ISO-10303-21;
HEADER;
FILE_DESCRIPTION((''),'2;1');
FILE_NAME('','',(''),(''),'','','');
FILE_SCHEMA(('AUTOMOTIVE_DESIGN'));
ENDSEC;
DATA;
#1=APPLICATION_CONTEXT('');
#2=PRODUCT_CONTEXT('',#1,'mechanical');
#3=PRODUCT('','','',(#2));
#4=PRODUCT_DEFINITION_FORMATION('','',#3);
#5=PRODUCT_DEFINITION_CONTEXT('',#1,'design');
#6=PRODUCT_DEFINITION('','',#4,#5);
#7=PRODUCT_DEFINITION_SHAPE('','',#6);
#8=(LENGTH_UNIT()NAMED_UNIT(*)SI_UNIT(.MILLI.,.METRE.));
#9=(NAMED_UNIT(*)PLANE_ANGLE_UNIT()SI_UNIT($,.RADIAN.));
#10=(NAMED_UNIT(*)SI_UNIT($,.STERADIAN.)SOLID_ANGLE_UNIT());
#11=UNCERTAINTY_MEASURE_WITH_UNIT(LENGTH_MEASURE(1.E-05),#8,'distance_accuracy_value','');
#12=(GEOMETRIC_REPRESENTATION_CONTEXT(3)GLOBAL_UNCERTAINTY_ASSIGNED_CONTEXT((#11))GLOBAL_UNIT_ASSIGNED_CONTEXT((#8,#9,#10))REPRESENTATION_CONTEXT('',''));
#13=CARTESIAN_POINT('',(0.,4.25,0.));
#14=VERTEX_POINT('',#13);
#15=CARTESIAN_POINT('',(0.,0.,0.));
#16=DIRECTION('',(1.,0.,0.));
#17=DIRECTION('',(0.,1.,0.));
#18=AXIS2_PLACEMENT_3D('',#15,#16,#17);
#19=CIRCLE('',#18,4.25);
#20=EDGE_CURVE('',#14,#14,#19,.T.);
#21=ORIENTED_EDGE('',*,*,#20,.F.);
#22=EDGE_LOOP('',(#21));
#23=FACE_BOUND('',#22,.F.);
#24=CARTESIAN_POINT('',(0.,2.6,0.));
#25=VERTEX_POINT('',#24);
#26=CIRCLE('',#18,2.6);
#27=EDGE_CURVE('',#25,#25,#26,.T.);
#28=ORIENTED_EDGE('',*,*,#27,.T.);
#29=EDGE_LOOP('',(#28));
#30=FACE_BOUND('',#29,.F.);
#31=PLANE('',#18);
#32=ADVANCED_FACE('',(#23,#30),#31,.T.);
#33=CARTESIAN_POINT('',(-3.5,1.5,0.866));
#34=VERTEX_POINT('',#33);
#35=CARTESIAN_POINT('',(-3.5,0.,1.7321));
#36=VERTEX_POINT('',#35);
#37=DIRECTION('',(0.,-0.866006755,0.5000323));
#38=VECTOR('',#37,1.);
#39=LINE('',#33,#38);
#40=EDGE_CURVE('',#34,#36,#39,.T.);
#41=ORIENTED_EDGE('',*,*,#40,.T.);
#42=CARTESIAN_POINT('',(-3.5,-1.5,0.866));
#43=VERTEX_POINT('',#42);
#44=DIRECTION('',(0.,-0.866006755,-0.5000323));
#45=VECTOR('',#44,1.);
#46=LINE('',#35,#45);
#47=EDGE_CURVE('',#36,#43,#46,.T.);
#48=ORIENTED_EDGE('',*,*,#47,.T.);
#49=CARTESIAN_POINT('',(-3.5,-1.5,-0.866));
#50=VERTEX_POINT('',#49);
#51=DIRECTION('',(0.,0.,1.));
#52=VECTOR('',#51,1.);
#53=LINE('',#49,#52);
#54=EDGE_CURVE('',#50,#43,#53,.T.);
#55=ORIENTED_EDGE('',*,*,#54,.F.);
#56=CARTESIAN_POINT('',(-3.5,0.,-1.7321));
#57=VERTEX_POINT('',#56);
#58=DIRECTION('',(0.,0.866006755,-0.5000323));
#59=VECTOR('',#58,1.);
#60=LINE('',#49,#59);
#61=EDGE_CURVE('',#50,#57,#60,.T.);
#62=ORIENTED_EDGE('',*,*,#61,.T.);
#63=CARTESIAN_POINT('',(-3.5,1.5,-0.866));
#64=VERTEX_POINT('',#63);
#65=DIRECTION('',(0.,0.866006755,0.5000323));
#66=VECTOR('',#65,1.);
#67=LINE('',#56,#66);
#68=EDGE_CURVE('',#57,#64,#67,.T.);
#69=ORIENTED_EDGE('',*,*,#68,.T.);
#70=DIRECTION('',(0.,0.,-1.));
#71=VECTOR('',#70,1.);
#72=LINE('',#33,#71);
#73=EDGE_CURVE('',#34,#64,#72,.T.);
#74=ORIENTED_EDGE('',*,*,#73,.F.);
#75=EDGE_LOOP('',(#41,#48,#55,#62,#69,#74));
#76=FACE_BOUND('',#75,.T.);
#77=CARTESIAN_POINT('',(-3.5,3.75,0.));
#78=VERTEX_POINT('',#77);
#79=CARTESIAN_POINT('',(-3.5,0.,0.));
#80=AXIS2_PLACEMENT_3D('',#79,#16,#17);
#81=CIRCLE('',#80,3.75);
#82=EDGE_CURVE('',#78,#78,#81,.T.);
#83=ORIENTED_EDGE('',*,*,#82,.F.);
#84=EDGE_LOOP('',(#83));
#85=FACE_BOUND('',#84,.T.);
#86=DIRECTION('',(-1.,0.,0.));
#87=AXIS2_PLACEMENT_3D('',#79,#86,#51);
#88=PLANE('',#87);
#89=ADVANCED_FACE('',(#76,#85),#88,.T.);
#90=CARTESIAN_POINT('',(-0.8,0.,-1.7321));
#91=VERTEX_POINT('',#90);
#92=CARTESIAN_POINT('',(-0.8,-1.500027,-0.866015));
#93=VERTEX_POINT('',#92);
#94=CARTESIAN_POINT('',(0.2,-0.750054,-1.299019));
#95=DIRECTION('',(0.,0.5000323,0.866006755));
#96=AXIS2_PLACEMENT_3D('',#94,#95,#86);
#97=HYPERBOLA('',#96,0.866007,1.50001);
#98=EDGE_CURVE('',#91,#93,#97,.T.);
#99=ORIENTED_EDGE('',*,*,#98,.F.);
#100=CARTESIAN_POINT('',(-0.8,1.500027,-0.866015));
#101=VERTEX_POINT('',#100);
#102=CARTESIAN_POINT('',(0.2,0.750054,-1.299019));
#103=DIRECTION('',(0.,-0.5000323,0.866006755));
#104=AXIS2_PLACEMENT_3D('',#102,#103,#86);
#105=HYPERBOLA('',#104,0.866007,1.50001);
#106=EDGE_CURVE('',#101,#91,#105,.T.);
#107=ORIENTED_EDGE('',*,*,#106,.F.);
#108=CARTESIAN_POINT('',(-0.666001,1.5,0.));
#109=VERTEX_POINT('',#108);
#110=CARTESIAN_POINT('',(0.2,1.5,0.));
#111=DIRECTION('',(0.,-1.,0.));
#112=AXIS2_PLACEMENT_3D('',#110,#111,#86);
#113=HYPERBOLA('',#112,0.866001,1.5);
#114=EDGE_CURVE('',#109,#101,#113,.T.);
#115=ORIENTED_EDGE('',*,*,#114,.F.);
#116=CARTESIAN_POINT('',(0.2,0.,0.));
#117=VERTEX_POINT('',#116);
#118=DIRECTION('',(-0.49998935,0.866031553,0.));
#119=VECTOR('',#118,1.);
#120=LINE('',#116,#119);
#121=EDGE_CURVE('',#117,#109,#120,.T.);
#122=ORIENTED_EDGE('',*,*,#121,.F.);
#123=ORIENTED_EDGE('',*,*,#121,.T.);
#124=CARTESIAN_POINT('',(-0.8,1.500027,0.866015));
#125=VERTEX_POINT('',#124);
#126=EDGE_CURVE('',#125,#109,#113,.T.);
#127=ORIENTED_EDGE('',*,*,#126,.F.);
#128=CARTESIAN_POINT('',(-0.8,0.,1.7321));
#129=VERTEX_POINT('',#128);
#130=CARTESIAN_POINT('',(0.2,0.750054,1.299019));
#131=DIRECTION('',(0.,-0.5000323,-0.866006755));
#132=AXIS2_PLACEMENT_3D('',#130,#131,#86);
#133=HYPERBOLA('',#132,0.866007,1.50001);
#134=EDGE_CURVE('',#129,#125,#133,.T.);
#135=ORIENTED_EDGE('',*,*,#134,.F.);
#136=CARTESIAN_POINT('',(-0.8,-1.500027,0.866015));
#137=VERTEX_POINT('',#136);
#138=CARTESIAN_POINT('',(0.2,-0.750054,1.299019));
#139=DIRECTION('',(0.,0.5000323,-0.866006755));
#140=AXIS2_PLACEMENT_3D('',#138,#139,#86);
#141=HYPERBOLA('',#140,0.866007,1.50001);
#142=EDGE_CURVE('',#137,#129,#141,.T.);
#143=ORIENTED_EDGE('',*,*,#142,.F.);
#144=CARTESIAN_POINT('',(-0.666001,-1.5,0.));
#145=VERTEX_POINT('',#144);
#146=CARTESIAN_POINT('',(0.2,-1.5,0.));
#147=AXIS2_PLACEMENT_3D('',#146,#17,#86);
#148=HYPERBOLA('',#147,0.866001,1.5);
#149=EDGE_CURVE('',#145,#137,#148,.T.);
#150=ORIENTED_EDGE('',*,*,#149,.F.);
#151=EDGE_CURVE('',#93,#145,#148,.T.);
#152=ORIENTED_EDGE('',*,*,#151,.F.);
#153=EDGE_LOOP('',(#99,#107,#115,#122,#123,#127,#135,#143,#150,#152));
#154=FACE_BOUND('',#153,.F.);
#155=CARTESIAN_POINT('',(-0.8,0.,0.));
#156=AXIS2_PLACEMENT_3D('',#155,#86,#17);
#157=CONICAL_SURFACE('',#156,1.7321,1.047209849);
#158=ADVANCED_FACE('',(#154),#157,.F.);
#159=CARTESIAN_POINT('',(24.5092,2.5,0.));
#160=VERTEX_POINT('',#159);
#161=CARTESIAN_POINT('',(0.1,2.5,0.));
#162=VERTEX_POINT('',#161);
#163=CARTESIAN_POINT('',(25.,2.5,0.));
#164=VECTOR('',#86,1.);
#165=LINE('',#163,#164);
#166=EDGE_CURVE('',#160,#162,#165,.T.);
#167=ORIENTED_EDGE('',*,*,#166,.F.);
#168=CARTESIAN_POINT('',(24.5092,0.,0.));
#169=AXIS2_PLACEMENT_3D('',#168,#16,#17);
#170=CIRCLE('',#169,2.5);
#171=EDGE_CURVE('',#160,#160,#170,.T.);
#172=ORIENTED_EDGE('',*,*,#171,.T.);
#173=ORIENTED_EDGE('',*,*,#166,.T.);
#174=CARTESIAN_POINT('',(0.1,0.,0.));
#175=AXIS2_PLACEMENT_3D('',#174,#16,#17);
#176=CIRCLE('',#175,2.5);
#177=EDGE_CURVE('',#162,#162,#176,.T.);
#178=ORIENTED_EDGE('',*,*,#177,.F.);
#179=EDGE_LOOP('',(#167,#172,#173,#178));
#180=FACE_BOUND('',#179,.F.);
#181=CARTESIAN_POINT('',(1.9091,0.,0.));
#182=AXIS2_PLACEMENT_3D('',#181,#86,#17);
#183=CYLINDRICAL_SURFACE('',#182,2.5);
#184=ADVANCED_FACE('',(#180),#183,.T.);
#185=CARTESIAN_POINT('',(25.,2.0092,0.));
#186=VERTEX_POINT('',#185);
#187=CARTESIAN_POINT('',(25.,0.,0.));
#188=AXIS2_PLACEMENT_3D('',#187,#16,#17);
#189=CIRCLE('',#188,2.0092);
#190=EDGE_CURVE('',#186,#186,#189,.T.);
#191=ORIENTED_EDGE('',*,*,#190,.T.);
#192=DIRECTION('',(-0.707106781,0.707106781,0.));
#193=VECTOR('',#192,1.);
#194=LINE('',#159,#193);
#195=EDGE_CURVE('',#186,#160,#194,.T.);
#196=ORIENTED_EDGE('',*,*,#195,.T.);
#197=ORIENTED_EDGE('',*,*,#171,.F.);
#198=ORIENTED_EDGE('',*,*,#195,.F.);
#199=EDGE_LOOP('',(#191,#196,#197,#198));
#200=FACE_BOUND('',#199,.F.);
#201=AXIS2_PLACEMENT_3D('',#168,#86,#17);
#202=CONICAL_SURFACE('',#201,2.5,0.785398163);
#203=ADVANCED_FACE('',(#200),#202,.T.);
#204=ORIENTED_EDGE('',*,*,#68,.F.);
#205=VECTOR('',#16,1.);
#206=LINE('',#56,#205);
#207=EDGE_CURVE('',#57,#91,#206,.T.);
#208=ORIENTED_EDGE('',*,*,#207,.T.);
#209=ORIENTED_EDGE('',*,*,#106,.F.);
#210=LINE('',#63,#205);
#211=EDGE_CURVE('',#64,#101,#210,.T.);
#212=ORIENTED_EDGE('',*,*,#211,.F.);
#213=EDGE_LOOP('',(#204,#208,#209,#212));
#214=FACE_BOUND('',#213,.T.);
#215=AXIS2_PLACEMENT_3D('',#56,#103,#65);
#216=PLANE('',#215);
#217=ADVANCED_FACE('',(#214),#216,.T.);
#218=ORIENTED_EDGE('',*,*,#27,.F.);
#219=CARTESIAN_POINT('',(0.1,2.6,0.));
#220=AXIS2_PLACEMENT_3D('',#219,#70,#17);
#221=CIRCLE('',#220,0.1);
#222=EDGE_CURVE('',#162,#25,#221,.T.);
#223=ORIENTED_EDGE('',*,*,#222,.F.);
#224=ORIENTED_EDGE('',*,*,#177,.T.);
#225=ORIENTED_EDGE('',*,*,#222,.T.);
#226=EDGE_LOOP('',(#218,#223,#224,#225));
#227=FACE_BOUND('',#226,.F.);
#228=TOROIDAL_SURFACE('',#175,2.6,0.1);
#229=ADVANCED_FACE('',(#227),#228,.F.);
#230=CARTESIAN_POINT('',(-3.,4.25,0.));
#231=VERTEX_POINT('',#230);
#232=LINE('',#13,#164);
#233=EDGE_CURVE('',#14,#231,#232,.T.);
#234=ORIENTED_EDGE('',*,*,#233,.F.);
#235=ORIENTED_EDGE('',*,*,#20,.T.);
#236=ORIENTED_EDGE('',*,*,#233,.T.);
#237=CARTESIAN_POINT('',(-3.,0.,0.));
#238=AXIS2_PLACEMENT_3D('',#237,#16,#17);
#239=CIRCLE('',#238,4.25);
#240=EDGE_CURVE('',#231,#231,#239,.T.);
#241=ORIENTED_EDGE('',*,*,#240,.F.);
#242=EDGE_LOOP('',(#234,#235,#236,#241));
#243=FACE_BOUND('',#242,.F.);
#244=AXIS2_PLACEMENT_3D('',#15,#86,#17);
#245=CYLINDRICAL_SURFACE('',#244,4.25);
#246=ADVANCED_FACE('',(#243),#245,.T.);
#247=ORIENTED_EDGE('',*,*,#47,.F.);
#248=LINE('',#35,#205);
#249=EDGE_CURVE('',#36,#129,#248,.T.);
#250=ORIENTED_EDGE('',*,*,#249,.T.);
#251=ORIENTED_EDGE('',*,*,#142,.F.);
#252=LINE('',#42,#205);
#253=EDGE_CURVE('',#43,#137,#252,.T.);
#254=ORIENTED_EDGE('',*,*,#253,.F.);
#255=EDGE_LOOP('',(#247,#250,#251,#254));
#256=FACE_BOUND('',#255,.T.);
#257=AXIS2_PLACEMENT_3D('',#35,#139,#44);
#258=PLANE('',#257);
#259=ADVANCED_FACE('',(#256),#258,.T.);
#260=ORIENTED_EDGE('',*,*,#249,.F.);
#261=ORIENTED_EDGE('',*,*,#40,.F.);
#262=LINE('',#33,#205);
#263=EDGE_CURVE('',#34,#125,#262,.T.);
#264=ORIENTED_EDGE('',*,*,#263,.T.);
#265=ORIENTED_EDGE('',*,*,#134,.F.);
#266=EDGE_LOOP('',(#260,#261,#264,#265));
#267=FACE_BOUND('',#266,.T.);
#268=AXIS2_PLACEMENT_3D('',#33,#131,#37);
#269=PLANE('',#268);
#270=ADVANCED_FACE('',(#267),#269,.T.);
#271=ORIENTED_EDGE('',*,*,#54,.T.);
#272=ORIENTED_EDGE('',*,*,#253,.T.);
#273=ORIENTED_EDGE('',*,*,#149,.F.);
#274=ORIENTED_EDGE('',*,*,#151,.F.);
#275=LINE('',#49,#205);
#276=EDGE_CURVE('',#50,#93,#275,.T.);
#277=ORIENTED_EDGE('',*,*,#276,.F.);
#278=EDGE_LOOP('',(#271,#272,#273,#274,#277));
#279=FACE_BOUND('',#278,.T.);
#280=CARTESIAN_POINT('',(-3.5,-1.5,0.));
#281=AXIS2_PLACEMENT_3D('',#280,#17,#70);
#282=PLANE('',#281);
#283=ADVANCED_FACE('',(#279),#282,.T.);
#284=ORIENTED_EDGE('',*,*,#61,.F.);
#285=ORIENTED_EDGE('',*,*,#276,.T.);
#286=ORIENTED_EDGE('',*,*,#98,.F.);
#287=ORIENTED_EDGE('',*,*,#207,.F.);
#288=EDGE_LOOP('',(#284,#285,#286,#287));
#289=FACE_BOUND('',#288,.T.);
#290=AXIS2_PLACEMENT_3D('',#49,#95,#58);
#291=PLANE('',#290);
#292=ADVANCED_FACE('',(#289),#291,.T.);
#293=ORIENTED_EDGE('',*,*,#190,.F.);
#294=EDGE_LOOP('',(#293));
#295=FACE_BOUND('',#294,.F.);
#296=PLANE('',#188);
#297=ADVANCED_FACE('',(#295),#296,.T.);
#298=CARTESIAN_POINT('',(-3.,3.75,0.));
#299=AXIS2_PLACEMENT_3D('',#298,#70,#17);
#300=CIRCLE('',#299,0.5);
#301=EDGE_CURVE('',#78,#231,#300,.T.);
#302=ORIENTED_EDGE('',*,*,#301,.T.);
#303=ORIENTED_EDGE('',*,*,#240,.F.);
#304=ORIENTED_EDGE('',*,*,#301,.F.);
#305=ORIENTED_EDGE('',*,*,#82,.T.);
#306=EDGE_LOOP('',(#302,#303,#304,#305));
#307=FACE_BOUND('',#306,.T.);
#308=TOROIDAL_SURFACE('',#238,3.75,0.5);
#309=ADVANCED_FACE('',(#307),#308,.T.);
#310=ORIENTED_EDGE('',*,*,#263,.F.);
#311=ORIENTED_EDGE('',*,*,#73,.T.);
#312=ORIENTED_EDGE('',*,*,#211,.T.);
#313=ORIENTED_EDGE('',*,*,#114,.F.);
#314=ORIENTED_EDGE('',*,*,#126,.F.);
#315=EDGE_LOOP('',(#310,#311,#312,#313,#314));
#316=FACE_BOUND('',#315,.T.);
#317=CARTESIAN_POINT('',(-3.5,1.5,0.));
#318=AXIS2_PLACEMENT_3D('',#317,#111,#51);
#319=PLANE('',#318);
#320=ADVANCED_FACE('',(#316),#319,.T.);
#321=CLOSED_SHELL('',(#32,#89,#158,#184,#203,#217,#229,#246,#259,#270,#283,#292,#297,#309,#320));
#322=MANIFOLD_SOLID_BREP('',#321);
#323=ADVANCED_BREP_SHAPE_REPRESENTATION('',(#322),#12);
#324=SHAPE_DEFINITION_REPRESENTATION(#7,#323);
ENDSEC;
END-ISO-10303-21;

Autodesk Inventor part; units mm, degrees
ref_plane "YZ Plane" through (0, 0, 0) normal (1, 0, 0) x (0, 1, 0)
ref_plane "XZ Plane" through (0, 0, 0) normal (0, 1, 0) x (-1, 0, 0)
sketch "Sketch1" plane through (0, 0, 0) normal (0, 0, 1) x (1, 0, 0)
  line L0 (0.2, 0) -> (25, 0)
  line L1 (25, 0) -> (25, 2.5)
  line L2 (25, 2.5) -> (2.4, 2.5)
  line L3 (2.4, 2.5) -> (1.9091, 2.5)
  line L4 (1.9091, 2.5) -> (0, 2.5)
  line L5 (0, 2.5) -> (0, 4.25)
  line L6 (0, 4.25) -> (-3.5, 4.25)
  line L7 (-3.5, 4.25) -> (-3.5, 1.7321)
  line L8 (-3.5, 1.7321) -> (-0.8, 1.7321)
  line L9 (-0.8, 1.7321) -> (0.2, 0)
  line L10 (-9.2, 0) -> (30.7, 0) projected
  line L11 (0, -0.85) -> (0, 5.1) projected
  line L12 (2.4, 2.5) -> (0, 2.5) construction
  dimension "d1" = 22.6
  dimension "d2" = 0.4909
  dimension "d3" = 3.5
  dimension "d4" = 2.7
  dimension "d5" = 60
  dimension "d6" = 5
  dimension "d7" = 5
  dimension "d8" = 3.4641
  dimension "d9" = 8.5
  dimension "d26" = 25
revolve "Body" add sketch "Sketch1" angle 360 about axis through (0.2, 0, 0) along (1, 0, 0) contours L9 L11 L4 L3 L2 L1 L0 | L9 L8 L7 L6 L5 L11
sketch "Sketch2" plane through (-3.5, 0, 0) normal (-1, 0, 0) x (0, 0, 1)
  circle A0 centre (0, 0) radius 1.7321 projected
  line L0 (0, -5.95) -> (0, 5.95) projected
  line L1 (-5.95, 0) -> (5.95, 0) projected
  line L2 (1.7321, 0) -> (0.866, -1.5)
  line L3 (0.866, -1.5) -> (-0.866, -1.5)
  line L4 (-0.866, -1.5) -> (-1.7321, 0)
  line L5 (-1.7321, 0) -> (-0.866, 1.5)
  line L6 (-0.866, 1.5) -> (0.866, 1.5)
  line L7 (0.866, 1.5) -> (1.7321, 0)
extrude "Slot" add sketch "Sketch2" against normal up to next contours L7 A0 | A0 L2 | L6 L0 A0 | A0 L0 L3 | L0 L6 A0 | A0 L3 L0 | L4 A0 | A0 L5
fillet "Fillet1" radius 0.5 1 edges at (-3.5, -4.25, 0)
thread "Thread" size "M5x0.8" class "6g" standard "ISO Metric profile" length 22.6
chamfer "Chamfer1" distance 0.4908 distance2 0.4908 1 edges at (25, -2.5, 0) measured on face at (25, 0.6587, -0.3326)
ref_plane "Work Plane1" through (29, 0, 0) normal (0, -1, 0) x (1, 0, 0)
fillet "Fillet2" radius 0.1 1 edges at (0, -2.5, 0)
equation "\"d1\" = GEL"
equation "\"d3\" = KOH"
equation "\"d4\" = INTI"
equation "\"d6\" = GD"
equation "\"d7\" = BDM"
equation "\"d8\" = 1.1547 * SW"
equation "\"d9\" = KOD"
equation "\"d26\" = NLG"
equation "\"d30\" = R"
equation "\"d17\" = RR"
equation "\"d13\" = GEL"
equation "\"d15\" = -0.5 * SPD + 0.5 * GD"
equation "\"d16\" = GUL"
equation "\"GD\" = NND"
equation "\"NLG\" = 25"
equation "\"GEL\" = 22.6"
equation "\"KOD\" = 8.5"
equation "\"KOH\" = 3.5"
equation "\"INTI\" = 2.7"
equation "\"GAL\" = 0.61345 * PTC"
equation "\"GUL\" = 0.61345 * PTC"
equation "\"BDM\" = NND"
equation "\"SW\" = 3"
equation "\"RR\" = 0.5"
equation "\"SPD\" = NND - 1.2269 * PTC"
equation "\"R\" = 0.1"
equation "\"TOA\" = 30deg"
equation "\"GD1\" = THREADDIA - 1.2269 * PTC"
equation "\"THREADDIA\" = 5"
equation "\"FAWI\" = 45deg"
equation "\"ANG\" = 120deg"
equation "\"PTC\" = 0.8"
equation "\"NND\" = 5"
equation "\"E0\" = 1.155 * SW"
properties part number "DIN 7984 - M5 x 25" material "Steel, Mild"
